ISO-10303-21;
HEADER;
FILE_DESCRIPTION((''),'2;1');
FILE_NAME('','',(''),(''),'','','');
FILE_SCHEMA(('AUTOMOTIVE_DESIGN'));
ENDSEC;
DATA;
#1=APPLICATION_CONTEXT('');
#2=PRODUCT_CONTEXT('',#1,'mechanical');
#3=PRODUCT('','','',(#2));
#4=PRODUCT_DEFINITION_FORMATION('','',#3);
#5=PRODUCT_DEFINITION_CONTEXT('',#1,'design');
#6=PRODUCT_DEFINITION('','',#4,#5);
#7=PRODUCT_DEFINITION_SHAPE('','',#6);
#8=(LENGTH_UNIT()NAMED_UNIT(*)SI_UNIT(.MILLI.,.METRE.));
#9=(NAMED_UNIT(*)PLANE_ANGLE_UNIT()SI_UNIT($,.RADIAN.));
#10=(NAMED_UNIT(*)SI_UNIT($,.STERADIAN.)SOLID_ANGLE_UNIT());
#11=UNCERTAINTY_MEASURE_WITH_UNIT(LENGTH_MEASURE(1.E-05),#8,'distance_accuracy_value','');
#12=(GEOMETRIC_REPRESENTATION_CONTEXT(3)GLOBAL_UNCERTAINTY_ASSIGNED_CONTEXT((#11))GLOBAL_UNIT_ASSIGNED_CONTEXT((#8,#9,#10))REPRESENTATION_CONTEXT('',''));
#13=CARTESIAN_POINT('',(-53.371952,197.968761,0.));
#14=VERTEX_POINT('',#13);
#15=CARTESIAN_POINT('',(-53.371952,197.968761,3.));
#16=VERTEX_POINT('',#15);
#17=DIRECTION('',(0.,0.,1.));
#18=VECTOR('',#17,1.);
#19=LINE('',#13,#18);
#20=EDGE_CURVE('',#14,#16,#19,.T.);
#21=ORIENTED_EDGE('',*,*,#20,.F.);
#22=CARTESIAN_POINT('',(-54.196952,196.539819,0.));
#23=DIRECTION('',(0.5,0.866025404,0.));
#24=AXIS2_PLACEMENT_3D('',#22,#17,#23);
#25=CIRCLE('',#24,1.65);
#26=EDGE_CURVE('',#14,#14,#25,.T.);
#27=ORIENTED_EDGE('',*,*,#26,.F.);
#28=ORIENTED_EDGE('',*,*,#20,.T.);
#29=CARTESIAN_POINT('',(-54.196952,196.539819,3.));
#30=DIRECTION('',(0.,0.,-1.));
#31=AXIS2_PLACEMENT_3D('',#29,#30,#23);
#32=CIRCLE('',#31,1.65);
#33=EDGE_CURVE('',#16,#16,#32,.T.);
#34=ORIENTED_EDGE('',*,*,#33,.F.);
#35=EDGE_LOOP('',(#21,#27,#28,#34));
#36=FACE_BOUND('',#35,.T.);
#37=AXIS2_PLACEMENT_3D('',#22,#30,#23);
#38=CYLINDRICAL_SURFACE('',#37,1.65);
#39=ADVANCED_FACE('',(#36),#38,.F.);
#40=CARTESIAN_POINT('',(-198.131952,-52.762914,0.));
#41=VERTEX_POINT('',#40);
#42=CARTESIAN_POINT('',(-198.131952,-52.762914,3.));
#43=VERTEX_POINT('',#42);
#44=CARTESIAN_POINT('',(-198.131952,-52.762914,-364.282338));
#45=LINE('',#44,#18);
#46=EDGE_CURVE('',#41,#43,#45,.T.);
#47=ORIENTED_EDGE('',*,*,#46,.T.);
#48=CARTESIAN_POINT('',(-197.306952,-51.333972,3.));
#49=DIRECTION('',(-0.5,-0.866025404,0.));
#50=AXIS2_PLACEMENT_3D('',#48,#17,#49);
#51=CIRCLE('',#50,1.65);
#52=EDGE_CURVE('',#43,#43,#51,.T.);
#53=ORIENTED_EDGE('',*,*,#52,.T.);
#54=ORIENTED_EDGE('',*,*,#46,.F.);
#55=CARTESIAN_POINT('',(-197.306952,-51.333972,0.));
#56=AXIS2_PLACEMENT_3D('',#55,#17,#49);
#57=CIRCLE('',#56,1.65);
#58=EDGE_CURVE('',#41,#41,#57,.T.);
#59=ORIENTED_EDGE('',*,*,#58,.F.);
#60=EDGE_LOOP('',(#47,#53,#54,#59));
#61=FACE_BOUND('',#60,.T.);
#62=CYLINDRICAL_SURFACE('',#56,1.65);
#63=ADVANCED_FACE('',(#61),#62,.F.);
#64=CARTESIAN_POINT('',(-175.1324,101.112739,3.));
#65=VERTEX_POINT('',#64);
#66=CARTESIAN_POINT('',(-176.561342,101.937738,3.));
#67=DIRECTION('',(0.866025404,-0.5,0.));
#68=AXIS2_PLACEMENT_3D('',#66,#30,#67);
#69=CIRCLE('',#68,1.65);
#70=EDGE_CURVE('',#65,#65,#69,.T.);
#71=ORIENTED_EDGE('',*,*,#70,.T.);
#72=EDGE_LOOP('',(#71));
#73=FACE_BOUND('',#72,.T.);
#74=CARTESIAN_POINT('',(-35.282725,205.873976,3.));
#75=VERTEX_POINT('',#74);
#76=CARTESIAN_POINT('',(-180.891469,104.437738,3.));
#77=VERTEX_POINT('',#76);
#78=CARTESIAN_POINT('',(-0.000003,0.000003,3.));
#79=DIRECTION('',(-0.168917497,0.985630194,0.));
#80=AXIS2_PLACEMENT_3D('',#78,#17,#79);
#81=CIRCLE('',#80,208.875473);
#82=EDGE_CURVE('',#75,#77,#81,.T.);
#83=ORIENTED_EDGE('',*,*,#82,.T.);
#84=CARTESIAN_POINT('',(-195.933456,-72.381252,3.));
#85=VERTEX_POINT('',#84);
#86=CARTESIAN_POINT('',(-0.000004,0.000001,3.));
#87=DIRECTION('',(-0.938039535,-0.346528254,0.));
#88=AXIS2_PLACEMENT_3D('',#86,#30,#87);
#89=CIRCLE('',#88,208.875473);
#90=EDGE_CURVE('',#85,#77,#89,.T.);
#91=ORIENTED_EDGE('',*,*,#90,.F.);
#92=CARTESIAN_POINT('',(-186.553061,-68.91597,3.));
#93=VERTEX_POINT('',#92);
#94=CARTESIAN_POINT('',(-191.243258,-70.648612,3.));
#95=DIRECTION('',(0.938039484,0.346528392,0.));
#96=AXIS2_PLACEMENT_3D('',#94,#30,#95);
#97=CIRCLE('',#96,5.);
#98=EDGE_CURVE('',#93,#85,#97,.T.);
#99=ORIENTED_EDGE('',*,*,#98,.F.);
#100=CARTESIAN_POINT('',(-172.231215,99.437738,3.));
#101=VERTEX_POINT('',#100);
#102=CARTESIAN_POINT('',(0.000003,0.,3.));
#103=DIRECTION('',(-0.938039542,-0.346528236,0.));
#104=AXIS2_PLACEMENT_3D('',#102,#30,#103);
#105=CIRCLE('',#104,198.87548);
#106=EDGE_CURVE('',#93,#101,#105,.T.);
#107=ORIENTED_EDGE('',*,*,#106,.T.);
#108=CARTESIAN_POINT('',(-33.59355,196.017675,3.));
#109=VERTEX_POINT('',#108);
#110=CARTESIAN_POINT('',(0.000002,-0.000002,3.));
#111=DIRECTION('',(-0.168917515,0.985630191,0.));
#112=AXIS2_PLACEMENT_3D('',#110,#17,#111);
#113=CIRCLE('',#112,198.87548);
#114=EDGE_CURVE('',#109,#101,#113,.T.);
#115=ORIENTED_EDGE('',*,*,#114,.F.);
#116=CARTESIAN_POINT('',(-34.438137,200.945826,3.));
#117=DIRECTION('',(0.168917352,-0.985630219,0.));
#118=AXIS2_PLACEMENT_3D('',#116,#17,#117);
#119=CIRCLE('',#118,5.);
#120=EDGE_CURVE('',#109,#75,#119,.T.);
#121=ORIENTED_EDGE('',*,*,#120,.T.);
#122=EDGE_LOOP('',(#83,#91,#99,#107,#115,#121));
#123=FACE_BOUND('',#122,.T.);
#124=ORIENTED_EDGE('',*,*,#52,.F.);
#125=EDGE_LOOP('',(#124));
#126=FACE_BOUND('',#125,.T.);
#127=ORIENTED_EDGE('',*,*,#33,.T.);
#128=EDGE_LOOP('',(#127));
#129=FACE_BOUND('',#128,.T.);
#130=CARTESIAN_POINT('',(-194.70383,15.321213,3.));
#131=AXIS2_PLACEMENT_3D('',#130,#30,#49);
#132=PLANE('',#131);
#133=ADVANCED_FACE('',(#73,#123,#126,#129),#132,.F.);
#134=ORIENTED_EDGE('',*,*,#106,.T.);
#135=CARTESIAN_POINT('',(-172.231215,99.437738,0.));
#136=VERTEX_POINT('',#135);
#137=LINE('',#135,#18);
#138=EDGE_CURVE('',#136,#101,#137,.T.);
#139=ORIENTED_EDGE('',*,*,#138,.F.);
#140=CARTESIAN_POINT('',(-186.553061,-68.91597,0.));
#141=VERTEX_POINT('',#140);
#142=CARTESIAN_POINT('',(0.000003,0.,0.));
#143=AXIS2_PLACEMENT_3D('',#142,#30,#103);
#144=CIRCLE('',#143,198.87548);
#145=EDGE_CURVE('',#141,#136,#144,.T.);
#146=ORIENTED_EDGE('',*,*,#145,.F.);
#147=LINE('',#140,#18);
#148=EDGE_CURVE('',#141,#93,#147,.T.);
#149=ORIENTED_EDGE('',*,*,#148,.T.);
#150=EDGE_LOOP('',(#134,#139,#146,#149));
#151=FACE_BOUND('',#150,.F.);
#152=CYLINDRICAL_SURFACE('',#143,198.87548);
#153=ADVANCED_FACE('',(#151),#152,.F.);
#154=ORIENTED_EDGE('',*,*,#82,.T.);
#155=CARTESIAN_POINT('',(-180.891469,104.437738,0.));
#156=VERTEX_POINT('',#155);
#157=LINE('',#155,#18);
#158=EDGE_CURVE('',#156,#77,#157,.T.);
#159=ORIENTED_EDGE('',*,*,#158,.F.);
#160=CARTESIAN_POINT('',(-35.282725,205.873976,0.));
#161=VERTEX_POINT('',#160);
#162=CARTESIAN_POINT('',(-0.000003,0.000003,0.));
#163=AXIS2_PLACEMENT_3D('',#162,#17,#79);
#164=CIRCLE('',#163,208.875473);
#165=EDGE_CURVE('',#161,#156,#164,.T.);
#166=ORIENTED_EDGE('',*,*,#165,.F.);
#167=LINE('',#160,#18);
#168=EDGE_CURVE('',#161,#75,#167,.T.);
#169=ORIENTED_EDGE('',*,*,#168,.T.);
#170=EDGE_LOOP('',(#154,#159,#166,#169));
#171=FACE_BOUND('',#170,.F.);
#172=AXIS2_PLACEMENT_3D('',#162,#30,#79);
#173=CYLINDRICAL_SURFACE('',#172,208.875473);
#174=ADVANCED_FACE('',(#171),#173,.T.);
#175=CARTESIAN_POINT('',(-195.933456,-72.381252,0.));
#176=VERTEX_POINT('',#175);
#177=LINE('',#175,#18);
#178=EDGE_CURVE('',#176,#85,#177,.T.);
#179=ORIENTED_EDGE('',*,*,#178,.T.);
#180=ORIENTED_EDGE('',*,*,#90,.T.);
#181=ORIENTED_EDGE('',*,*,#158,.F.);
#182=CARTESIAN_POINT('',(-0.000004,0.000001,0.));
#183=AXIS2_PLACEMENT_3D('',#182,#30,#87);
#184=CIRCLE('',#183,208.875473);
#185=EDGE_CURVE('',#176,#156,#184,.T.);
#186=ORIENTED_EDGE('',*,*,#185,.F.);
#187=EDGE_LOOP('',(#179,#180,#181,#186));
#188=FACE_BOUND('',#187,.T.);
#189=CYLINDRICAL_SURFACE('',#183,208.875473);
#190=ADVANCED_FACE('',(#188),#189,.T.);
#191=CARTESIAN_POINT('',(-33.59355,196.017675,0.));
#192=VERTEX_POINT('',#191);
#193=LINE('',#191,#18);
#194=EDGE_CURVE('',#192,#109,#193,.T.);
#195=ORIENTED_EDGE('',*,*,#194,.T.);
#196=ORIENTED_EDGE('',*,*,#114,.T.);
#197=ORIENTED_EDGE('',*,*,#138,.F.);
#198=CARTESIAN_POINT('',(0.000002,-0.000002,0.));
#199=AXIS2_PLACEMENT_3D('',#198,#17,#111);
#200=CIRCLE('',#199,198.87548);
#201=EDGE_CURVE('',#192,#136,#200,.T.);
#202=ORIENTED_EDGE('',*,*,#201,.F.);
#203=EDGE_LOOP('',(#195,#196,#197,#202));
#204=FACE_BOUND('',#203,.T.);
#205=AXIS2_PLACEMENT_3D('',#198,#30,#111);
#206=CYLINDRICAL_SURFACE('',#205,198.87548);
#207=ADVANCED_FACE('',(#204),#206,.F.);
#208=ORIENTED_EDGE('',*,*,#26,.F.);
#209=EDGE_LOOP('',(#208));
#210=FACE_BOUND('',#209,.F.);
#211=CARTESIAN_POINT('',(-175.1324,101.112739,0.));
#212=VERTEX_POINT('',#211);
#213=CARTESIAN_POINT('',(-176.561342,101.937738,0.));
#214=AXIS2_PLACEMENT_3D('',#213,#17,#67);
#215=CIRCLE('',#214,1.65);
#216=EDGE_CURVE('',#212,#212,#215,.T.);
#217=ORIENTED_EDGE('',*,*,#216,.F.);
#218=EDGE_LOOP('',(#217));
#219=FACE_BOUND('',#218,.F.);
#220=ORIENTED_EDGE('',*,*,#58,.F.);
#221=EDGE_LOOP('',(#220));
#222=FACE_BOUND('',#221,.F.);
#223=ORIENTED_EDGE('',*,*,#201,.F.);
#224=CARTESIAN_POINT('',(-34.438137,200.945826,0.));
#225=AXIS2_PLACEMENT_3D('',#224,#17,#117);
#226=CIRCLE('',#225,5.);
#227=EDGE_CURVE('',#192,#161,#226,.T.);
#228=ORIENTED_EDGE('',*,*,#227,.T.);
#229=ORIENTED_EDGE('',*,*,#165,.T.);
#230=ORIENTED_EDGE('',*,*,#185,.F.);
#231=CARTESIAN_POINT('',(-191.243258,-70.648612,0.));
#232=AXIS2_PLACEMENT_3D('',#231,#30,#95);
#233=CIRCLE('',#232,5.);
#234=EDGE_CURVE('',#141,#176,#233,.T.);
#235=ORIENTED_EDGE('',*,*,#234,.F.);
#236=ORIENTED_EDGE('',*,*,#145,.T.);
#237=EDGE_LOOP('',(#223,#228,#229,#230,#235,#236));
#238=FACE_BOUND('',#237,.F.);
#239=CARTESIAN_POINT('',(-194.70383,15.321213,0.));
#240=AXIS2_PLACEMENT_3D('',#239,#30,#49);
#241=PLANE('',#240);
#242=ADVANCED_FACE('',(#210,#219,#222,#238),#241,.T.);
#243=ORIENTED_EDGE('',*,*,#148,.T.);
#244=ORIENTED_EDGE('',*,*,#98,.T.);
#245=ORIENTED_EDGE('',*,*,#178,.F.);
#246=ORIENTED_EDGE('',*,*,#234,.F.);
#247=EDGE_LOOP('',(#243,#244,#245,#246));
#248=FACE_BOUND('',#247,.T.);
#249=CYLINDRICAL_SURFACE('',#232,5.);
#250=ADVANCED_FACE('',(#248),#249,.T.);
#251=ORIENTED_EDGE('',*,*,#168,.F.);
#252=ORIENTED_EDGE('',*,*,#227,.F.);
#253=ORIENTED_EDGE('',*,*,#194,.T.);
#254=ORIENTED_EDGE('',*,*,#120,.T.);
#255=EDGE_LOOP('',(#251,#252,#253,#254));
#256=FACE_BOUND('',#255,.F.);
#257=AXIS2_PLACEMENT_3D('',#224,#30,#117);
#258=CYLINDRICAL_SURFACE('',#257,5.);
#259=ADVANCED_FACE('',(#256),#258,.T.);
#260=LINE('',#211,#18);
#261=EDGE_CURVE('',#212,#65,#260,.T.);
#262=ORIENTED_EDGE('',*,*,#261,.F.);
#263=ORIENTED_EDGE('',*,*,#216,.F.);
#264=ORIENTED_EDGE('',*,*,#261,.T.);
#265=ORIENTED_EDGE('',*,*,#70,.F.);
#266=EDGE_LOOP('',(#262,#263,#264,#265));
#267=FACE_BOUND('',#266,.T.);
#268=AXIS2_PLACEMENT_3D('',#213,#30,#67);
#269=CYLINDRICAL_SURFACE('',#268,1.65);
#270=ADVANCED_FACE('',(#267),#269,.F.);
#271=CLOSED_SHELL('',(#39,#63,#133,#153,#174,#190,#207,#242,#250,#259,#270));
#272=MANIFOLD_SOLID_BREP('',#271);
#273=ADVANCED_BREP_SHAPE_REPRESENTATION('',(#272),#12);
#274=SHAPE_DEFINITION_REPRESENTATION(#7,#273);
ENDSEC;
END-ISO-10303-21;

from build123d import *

# Parameters (mm, degrees)
PAD014_DEPTH                        = 3
SKETCH055_R                         = 1.65
POCKET019_DEPTH                     = 364.282338
POCKET019_DEPTH_BACK                = 367.282338
BODY001003005003003_PLACEMENT_ANGLE = 60


with BuildPart() as part:
    # Sketch052 → Pad014 (new body)
    with BuildSketch(Plane.XY):
        with BuildLine():
            ThreePointArc((152.959511, 127.101705), (84.480895, 180.040089), (0, 198.875477))
            Line((0, 198.875477), (0, 208.875477))
            ThreePointArc((160.650731, 133.492724), (88.728824, 189.092995), (0, 208.875477))
            ThreePointArc((152.959511, 127.101705), (160.000631, 126.451604), (160.650731, 133.492724))
        make_face()
    pad014 = extrude(amount=PAD014_DEPTH)

    # Sketch055 → Pocket019 (cut, two sides)
    with BuildSketch(Plane.XY) as pocket019_sk:
        with Locations((143.11, 145.205847)):
            Circle(SKETCH055_R)
        with BuildLine():
            Line((0, 202.225477), (0, 205.525477))
            ThreePointArc((0, 202.225477), (1.65, 203.875477), (0, 205.525477))
        make_face()
    pocket019 = extrude(amount=-POCKET019_DEPTH, mode=Mode.SUBTRACT) + extrude(pocket019_sk.sketch, amount=POCKET019_DEPTH_BACK, mode=Mode.SUBTRACT)

    # Mirrored019: Pad014, Pocket019 across Sketch052 V_Axis
    add(pad014.mirror(Plane(origin=(0, 0, 0), x_dir=(0, 0, 1), z_dir=(1, 0, 0))))
    add(pocket019.mirror(Plane(origin=(0, 0, 0), x_dir=(0, 0, 1), z_dir=(1, 0, 0))), mode=Mode.SUBTRACT)


with BuildPart() as part_1:
    # Body001003005003003 placement: moved
    add(part.part.rotate(Axis((0, 0, 0), (0, 0, 1)), BODY001003005003003_PLACEMENT_ANGLE))


solid = part_1.part
